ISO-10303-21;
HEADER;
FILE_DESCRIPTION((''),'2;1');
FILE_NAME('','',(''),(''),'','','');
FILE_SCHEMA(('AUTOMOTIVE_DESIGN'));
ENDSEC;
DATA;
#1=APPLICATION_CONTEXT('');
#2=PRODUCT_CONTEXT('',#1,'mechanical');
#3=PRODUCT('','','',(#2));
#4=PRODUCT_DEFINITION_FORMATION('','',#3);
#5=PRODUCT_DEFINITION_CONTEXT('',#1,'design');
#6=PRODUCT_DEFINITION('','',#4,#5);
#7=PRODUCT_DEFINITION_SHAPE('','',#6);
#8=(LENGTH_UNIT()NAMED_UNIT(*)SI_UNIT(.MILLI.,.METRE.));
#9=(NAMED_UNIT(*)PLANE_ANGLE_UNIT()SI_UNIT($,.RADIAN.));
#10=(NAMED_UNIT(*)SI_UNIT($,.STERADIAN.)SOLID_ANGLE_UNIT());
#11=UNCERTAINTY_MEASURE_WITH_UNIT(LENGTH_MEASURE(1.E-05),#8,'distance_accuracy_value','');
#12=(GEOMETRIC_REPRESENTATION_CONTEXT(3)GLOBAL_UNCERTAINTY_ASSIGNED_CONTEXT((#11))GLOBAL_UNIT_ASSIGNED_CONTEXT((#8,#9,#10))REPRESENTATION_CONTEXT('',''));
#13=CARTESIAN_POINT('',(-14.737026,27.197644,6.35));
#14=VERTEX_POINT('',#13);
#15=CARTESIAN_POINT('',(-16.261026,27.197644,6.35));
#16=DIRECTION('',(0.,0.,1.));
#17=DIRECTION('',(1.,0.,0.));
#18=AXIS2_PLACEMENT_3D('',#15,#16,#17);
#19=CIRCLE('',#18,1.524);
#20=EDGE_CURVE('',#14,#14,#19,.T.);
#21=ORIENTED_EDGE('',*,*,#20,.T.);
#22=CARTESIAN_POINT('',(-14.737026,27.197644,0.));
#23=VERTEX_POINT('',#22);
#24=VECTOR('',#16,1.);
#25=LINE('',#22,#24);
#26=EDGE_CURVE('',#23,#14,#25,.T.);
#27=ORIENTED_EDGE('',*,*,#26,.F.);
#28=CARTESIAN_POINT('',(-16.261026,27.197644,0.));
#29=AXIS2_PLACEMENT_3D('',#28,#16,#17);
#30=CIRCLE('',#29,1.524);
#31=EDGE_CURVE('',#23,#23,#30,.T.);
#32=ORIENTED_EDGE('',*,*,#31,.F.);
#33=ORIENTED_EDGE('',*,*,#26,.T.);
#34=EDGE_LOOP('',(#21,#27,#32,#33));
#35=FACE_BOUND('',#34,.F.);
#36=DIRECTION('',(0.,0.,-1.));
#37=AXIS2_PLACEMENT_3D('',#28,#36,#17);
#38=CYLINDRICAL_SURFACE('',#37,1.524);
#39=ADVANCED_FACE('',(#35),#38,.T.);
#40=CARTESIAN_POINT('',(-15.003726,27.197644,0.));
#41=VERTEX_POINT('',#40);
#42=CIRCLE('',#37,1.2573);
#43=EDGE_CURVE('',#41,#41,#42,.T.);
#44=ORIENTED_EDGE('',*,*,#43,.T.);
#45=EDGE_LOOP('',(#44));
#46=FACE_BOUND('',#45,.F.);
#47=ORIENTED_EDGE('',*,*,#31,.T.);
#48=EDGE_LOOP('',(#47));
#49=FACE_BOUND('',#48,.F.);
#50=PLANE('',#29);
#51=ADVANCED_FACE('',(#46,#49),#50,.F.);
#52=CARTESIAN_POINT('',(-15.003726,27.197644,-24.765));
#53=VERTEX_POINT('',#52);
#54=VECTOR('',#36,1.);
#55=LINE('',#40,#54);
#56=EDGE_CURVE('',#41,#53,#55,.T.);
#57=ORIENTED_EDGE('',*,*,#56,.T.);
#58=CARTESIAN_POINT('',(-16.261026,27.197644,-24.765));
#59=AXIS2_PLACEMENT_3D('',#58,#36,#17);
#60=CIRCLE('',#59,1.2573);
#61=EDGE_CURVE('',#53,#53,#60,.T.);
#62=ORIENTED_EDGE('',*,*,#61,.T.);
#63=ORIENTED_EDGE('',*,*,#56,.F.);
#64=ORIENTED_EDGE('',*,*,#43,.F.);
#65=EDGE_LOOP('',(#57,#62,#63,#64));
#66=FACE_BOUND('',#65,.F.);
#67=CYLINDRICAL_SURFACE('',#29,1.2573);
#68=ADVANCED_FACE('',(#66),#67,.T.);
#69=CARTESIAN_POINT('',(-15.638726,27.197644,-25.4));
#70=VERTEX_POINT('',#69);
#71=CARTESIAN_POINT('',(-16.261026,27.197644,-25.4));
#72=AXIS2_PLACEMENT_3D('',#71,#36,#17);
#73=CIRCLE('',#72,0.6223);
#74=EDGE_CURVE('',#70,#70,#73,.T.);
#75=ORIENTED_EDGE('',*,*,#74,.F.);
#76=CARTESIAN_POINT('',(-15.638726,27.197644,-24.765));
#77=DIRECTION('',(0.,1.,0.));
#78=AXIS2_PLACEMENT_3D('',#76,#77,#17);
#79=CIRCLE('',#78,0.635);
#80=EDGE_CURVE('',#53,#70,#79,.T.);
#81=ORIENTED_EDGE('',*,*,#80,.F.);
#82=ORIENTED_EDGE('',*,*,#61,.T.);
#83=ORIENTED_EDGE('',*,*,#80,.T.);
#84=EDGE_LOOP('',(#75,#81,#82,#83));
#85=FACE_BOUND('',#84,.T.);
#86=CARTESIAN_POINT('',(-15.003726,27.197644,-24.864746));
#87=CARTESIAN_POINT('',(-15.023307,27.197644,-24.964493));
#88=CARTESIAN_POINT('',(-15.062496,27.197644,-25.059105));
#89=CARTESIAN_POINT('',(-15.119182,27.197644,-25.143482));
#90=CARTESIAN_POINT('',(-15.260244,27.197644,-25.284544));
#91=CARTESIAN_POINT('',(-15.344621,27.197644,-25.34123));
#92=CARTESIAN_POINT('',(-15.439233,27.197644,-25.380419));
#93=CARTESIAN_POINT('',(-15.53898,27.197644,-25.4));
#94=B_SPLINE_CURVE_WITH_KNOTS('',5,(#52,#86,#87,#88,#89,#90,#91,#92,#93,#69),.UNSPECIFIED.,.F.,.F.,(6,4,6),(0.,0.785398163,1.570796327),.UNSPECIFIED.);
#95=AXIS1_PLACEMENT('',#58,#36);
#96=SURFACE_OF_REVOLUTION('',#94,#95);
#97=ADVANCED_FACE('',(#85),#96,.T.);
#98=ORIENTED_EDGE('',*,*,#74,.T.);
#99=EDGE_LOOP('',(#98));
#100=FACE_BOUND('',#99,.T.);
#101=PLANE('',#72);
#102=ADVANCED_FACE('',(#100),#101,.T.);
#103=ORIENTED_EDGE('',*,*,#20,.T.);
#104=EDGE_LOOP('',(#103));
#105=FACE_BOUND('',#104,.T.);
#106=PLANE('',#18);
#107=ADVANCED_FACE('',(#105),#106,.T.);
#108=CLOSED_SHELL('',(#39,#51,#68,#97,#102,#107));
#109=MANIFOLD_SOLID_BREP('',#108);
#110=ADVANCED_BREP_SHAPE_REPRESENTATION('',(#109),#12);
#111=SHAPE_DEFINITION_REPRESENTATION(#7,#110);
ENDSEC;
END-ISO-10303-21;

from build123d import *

# Parameters (mm, degrees)
F0_R     = 1.524
F1_DEPTH = 6.35
F2_R     = 1.2573
F3_DEPTH = 25.4
F4_R     = 0.635


with BuildPart() as f1:
    # F0 (on Top) → F1 (new body)
    with BuildSketch(Plane.XY):
        with Locations((-16.261026, 27.197644)):
            Circle(F0_R)
    extrude(amount=F1_DEPTH)

    # F2 (on face) → F3 (join)
    with BuildSketch(Plane(origin=(0, 0, 0), x_dir=(1, 0, 0), z_dir=(0, 0, -1))):
        with Locations((-16.261026, -27.197644)):
            Circle(F2_R)
    extrude(amount=F3_DEPTH)

    # F4
    f4_edges = [f1.edges().sort_by_distance(p)[0] for p in [
        (-17.518326, 27.197644, -25.4),
    ]]
    fillet(f4_edges, radius=F4_R)


solid = f1.part
